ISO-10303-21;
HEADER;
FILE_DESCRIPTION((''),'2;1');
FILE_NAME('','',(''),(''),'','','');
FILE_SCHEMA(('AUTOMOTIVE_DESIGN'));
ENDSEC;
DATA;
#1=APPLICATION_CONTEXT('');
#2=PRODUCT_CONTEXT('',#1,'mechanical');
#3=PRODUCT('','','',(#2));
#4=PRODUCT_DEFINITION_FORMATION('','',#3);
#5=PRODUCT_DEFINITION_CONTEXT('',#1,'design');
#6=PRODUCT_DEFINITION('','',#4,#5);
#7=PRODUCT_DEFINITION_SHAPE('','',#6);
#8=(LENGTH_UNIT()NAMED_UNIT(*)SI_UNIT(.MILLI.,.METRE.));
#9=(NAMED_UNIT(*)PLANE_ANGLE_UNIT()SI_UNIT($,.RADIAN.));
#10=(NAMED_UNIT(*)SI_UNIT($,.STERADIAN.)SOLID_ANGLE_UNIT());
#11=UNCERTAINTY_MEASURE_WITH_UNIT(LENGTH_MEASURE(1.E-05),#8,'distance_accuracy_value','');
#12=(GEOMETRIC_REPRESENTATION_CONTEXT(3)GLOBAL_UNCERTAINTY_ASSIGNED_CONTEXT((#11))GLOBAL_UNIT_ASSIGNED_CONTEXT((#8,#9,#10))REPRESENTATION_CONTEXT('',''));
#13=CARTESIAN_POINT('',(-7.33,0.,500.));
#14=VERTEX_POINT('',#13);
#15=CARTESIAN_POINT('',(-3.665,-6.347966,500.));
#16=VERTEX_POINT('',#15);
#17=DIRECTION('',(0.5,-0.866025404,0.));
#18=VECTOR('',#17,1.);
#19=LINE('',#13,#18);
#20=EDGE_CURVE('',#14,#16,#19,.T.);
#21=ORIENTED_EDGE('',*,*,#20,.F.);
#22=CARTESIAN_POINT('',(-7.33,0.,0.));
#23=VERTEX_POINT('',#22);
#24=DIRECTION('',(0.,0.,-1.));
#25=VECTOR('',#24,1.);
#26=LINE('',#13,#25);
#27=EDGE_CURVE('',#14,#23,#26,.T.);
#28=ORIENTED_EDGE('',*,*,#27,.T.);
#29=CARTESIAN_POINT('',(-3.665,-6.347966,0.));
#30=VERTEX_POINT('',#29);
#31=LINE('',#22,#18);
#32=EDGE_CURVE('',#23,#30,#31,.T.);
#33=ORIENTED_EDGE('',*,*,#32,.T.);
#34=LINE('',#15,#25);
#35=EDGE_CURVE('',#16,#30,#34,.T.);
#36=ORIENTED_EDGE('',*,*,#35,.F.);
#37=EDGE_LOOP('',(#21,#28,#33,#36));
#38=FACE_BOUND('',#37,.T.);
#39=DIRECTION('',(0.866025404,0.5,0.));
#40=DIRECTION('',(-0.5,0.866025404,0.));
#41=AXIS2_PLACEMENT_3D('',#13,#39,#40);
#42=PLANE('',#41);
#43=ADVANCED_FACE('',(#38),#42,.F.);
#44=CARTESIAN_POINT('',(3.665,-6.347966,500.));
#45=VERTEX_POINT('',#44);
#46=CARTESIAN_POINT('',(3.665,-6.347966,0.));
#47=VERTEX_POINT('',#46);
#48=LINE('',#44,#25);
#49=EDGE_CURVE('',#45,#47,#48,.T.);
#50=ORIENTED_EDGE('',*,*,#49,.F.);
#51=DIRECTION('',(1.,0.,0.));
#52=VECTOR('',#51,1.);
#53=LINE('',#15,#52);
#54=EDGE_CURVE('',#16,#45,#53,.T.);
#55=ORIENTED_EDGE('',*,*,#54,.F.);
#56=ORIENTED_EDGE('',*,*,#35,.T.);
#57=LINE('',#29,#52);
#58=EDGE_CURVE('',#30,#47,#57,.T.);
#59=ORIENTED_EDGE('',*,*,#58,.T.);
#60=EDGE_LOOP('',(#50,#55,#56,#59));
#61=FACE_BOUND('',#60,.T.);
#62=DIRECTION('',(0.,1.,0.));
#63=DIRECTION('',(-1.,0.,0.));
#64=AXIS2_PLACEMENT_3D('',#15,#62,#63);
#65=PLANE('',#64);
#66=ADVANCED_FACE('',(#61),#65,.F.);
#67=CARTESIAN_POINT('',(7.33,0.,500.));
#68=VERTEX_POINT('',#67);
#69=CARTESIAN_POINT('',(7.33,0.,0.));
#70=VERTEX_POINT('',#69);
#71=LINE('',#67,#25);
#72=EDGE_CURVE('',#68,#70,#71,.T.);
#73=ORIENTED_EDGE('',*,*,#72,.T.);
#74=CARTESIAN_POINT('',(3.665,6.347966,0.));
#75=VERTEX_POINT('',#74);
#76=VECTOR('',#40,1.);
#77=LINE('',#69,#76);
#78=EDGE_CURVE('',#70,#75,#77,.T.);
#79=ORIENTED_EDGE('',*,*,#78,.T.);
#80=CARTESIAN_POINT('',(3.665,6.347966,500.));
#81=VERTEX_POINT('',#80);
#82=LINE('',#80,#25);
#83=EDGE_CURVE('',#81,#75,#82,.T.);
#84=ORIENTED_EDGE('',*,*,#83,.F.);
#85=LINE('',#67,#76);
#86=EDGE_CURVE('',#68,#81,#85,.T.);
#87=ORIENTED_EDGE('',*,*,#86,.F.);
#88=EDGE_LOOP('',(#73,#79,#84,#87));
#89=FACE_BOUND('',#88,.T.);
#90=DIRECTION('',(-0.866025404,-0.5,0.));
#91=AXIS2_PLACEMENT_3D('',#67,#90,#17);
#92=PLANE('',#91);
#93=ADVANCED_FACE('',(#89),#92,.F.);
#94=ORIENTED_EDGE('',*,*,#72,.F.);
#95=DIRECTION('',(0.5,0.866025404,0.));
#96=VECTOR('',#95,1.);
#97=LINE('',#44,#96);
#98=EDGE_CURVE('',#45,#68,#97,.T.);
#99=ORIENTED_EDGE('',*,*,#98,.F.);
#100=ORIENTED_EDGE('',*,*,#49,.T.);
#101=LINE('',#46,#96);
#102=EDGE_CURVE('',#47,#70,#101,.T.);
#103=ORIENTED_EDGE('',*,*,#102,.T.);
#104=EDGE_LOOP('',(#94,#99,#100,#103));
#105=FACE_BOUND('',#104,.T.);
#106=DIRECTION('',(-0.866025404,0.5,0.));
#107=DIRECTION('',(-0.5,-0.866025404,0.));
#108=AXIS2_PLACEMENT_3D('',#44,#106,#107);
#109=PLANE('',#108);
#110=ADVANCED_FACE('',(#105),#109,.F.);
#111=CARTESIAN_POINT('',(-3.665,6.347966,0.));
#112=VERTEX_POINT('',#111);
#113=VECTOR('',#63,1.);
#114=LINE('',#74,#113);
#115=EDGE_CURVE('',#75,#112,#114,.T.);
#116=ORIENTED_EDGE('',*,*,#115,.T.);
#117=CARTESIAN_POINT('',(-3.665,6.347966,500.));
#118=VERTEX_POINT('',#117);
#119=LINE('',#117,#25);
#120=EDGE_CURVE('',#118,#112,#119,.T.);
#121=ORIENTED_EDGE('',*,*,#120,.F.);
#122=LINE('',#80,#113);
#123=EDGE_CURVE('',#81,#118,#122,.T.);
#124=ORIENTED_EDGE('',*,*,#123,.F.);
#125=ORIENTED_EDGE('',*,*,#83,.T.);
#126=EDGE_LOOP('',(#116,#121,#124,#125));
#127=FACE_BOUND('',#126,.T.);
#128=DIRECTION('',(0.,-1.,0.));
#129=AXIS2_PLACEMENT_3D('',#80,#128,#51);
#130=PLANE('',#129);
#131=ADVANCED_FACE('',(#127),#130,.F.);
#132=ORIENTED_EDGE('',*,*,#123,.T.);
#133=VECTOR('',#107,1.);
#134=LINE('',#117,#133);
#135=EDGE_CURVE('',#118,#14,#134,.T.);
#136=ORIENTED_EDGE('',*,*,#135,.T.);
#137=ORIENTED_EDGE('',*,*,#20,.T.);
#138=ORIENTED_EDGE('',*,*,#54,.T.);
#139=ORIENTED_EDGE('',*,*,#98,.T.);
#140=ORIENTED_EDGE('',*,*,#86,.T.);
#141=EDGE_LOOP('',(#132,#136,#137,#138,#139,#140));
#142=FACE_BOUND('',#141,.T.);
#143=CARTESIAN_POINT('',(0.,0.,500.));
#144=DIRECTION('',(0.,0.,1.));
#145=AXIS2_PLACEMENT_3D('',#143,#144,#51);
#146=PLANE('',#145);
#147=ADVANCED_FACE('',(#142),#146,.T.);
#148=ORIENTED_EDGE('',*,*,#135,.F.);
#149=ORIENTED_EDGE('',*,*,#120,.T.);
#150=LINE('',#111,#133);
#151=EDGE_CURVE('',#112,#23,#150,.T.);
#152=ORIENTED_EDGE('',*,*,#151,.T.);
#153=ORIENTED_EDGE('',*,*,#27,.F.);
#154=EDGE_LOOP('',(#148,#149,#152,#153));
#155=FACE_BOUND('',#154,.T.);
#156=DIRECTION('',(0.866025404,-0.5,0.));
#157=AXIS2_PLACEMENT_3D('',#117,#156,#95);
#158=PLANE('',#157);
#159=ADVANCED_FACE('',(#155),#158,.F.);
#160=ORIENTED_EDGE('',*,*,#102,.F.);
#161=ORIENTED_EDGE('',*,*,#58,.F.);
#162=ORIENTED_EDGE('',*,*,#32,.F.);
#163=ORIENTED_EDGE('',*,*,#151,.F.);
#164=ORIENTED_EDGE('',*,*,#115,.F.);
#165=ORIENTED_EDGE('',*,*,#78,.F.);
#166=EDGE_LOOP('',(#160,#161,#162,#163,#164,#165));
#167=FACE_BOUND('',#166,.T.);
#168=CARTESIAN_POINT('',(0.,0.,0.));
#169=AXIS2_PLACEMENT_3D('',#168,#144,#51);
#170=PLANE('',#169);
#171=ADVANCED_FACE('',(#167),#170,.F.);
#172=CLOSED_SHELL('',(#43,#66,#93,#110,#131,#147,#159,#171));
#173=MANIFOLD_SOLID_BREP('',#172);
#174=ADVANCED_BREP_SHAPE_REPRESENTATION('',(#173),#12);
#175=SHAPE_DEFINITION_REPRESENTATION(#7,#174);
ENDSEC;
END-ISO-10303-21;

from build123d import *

# Parameters (mm, degrees)
BOSS_EXTRUDE1_DEPTH = 500


with BuildPart() as part:
    # Sketch1 → Boss-Extrude1 (new body)
    with BuildSketch(Plane.XY):
        Polygon((-3.665, 6.34796621), (-7.33, 0), (-3.665, -6.34796621), (3.665, -6.34796621), (7.33, 0), (3.665, 6.34796621), align=None)
    extrude(amount=BOSS_EXTRUDE1_DEPTH)


solid = part.part
